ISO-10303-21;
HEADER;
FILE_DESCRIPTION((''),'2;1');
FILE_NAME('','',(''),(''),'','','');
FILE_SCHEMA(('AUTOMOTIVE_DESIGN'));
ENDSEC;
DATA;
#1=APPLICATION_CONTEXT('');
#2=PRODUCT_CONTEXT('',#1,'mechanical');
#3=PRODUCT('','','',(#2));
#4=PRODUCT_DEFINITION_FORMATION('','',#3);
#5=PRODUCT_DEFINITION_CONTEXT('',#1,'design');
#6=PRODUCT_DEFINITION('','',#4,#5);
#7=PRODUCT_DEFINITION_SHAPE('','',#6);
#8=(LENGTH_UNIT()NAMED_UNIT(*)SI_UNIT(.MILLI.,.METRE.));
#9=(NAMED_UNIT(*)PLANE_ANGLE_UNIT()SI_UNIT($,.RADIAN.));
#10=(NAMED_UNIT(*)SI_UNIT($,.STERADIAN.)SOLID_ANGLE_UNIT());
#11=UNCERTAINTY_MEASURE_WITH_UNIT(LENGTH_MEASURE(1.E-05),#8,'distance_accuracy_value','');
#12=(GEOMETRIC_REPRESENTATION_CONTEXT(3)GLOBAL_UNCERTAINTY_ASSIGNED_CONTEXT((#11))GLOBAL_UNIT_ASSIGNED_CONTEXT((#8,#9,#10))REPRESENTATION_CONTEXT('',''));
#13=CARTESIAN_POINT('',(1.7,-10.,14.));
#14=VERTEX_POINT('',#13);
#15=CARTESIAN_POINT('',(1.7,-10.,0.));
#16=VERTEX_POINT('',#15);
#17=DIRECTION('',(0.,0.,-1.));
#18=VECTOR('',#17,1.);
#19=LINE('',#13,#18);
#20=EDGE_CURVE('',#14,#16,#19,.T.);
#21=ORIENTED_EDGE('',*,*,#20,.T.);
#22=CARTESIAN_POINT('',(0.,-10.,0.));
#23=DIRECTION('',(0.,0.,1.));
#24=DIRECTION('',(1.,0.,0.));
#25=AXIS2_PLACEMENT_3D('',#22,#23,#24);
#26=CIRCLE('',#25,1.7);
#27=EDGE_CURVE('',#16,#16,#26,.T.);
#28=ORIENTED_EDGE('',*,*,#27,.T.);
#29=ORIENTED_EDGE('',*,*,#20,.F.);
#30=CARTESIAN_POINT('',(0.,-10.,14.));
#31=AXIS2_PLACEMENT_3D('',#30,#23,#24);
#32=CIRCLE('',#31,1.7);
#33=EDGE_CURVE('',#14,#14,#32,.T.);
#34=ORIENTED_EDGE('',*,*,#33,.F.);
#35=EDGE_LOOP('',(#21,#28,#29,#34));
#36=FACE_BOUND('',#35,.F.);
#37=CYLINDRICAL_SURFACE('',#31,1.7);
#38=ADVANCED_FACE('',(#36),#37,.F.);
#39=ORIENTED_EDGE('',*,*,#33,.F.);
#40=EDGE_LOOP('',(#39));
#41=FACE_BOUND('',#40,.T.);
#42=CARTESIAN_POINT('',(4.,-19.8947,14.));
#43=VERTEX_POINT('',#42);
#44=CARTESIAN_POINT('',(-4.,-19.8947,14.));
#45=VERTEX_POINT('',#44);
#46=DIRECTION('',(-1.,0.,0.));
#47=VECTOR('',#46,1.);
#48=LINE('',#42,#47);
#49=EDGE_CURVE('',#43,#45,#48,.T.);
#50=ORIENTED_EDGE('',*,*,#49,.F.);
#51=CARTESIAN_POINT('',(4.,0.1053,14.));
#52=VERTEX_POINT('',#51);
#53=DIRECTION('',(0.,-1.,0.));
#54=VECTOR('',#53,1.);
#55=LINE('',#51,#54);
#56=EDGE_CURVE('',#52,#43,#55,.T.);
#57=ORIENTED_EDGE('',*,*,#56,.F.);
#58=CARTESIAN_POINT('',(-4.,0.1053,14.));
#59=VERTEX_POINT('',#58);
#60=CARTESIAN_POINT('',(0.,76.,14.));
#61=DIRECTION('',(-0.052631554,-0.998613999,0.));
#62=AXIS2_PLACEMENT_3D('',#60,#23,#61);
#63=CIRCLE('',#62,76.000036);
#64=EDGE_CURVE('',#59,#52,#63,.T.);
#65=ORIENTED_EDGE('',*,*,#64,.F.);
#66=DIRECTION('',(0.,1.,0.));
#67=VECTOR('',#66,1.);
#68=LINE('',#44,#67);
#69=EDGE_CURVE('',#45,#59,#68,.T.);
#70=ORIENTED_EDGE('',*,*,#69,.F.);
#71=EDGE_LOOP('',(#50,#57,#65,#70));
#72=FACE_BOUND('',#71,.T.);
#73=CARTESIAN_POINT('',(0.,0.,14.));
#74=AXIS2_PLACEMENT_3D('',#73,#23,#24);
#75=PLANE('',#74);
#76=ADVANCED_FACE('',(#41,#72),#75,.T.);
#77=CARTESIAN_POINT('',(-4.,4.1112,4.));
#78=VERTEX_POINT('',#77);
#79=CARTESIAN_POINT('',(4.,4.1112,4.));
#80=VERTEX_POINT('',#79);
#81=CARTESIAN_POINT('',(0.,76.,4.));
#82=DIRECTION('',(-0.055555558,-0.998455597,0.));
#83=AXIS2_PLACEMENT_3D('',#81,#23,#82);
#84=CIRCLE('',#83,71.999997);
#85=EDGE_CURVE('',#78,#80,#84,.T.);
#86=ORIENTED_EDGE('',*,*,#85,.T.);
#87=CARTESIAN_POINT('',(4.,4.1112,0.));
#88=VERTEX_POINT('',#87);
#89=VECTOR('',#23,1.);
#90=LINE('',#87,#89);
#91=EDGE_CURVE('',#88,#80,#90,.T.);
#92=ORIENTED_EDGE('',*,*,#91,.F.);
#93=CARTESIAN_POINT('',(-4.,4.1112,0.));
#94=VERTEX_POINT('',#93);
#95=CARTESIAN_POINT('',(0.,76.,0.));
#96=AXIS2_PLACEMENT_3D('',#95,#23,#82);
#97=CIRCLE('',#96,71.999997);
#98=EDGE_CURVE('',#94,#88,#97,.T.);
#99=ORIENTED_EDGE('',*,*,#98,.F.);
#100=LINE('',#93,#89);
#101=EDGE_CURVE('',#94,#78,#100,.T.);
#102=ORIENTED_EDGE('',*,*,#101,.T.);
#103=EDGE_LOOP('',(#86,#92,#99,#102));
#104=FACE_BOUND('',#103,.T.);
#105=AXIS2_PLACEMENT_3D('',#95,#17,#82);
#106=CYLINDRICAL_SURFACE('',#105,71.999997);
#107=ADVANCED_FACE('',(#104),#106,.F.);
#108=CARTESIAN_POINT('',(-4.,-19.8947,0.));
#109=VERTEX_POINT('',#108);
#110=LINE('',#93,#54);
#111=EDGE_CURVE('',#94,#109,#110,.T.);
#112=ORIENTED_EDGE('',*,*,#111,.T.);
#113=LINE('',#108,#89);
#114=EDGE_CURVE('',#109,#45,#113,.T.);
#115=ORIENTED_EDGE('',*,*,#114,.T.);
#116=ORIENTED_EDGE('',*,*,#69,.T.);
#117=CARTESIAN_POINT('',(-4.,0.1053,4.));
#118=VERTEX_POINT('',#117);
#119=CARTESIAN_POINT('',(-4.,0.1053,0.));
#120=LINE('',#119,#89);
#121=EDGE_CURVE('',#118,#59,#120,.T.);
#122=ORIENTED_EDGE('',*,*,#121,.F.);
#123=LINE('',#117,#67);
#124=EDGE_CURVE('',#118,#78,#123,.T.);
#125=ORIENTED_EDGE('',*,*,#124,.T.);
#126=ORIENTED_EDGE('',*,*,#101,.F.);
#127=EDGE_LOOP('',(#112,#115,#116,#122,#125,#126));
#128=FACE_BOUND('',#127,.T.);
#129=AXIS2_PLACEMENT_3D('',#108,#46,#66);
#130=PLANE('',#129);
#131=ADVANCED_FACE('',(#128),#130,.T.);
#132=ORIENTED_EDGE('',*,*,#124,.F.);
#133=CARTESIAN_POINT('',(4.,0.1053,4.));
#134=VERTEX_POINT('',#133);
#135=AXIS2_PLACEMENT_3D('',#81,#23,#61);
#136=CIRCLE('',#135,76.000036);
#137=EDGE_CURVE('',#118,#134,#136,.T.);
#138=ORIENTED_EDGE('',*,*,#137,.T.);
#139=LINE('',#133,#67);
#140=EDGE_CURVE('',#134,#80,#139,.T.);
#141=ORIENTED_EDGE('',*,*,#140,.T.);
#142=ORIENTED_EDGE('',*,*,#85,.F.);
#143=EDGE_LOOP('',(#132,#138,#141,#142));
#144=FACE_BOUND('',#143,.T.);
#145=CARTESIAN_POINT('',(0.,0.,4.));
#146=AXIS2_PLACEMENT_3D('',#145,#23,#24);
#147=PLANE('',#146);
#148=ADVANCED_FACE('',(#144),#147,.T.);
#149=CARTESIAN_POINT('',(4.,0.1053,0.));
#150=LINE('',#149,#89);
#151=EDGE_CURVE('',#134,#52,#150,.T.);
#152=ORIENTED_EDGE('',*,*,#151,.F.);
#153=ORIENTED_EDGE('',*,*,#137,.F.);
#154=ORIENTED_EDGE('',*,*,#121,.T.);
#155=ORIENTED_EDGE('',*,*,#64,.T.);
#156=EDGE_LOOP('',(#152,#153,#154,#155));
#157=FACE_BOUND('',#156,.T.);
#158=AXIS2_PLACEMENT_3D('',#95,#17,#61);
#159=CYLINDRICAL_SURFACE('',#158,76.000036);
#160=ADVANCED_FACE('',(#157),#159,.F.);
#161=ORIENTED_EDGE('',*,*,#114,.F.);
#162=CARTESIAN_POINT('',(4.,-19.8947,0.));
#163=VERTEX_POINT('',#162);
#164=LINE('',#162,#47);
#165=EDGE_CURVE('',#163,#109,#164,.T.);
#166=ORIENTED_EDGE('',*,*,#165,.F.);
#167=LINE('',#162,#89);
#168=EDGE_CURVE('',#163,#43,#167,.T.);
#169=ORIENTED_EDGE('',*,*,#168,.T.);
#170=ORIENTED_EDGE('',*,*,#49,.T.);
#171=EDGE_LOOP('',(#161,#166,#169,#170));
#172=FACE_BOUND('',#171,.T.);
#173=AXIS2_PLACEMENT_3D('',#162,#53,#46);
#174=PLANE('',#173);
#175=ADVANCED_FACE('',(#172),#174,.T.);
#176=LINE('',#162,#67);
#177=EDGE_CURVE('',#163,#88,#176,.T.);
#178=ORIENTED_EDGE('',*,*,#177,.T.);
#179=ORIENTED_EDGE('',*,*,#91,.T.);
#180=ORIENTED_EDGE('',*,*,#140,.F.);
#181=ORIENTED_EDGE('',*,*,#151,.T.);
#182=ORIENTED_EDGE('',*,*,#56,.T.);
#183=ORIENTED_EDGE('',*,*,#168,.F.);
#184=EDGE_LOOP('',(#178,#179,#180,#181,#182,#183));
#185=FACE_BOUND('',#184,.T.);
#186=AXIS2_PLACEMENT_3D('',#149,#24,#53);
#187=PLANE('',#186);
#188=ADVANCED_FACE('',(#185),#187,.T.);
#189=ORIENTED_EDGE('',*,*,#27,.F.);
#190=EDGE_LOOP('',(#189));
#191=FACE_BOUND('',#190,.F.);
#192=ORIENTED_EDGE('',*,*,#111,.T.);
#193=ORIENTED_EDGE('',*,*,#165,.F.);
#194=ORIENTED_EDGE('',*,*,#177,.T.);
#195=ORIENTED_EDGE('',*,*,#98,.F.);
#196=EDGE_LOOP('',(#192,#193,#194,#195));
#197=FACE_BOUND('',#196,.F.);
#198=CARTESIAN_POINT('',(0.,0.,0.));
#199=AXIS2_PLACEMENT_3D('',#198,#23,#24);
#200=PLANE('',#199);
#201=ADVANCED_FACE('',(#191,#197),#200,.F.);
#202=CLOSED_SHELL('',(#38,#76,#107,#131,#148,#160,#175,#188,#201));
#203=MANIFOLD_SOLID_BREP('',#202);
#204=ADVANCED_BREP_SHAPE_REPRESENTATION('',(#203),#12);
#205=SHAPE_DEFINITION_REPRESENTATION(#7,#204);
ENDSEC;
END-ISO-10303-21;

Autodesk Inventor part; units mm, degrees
ref_plane "YZ Plane" through (0, 0, 0) normal (1, 0, 0) x (0, 1, 0)
ref_plane "XZ Plane" through (0, 0, 0) normal (0, 1, 0) x (-1, 0, 0)
ref_plane "XY Plane" through (0, 0, 0) normal (0, 0, 1) x (1, 0, 0)
sketch "Sketch1" plane through (0, 0, 0) normal (0, 0, 1) x (1, 0, 0)
  arc A0 (-4, 0.1053) -> (4, 0.1053) centre (0, 76) ccw
  line L0 (4, 0.1053) -> (4, -19.8947)
  line L1 (4, -19.8947) -> (-4, -19.8947)
  line L2 (-4, -19.8947) -> (-4, 0.1053)
  arc A1 (-4, 4.1112) -> (4, 4.1112) centre (0, 76) ccw
  line L3 (4, 0.1053) -> (4, 4.1112)
  line L4 (-4, 0.1053) -> (-4, 4.1112)
  point P0 (0, 0)
  point P1 (0, -19.8947)
  point P2 (0, 0)
  dimension "d0" = 76
  dimension "d1" = 4
  dimension "d2" = 8
  dimension "d3" = 20
extrude "Extrusion1" add sketch "Sketch1" along normal blind 14 contours A0 L0 L1 L2
extrude "Extrusion2" add sketch "Sketch1" along normal blind 4 contours L4 A1 L3 A0
sketch "Sketch2" plane through (0, 0, 14) normal (0, 0, 1) x (1, 0, 0)
  circle A0 centre (0, -10) radius 1.7
  arc A1 (-4, 0.1053) -> (4, 0.1053) centre (0, 76) ccw projected
  point P0 (0, 0)
  point P1 (0, 0)
  dimension "d11" = 0
  dimension "d8" = 3.4
  dimension "d9" = 10
extrude "Extrusion3" cut sketch "Sketch2" against normal through all
properties part number "holder"
